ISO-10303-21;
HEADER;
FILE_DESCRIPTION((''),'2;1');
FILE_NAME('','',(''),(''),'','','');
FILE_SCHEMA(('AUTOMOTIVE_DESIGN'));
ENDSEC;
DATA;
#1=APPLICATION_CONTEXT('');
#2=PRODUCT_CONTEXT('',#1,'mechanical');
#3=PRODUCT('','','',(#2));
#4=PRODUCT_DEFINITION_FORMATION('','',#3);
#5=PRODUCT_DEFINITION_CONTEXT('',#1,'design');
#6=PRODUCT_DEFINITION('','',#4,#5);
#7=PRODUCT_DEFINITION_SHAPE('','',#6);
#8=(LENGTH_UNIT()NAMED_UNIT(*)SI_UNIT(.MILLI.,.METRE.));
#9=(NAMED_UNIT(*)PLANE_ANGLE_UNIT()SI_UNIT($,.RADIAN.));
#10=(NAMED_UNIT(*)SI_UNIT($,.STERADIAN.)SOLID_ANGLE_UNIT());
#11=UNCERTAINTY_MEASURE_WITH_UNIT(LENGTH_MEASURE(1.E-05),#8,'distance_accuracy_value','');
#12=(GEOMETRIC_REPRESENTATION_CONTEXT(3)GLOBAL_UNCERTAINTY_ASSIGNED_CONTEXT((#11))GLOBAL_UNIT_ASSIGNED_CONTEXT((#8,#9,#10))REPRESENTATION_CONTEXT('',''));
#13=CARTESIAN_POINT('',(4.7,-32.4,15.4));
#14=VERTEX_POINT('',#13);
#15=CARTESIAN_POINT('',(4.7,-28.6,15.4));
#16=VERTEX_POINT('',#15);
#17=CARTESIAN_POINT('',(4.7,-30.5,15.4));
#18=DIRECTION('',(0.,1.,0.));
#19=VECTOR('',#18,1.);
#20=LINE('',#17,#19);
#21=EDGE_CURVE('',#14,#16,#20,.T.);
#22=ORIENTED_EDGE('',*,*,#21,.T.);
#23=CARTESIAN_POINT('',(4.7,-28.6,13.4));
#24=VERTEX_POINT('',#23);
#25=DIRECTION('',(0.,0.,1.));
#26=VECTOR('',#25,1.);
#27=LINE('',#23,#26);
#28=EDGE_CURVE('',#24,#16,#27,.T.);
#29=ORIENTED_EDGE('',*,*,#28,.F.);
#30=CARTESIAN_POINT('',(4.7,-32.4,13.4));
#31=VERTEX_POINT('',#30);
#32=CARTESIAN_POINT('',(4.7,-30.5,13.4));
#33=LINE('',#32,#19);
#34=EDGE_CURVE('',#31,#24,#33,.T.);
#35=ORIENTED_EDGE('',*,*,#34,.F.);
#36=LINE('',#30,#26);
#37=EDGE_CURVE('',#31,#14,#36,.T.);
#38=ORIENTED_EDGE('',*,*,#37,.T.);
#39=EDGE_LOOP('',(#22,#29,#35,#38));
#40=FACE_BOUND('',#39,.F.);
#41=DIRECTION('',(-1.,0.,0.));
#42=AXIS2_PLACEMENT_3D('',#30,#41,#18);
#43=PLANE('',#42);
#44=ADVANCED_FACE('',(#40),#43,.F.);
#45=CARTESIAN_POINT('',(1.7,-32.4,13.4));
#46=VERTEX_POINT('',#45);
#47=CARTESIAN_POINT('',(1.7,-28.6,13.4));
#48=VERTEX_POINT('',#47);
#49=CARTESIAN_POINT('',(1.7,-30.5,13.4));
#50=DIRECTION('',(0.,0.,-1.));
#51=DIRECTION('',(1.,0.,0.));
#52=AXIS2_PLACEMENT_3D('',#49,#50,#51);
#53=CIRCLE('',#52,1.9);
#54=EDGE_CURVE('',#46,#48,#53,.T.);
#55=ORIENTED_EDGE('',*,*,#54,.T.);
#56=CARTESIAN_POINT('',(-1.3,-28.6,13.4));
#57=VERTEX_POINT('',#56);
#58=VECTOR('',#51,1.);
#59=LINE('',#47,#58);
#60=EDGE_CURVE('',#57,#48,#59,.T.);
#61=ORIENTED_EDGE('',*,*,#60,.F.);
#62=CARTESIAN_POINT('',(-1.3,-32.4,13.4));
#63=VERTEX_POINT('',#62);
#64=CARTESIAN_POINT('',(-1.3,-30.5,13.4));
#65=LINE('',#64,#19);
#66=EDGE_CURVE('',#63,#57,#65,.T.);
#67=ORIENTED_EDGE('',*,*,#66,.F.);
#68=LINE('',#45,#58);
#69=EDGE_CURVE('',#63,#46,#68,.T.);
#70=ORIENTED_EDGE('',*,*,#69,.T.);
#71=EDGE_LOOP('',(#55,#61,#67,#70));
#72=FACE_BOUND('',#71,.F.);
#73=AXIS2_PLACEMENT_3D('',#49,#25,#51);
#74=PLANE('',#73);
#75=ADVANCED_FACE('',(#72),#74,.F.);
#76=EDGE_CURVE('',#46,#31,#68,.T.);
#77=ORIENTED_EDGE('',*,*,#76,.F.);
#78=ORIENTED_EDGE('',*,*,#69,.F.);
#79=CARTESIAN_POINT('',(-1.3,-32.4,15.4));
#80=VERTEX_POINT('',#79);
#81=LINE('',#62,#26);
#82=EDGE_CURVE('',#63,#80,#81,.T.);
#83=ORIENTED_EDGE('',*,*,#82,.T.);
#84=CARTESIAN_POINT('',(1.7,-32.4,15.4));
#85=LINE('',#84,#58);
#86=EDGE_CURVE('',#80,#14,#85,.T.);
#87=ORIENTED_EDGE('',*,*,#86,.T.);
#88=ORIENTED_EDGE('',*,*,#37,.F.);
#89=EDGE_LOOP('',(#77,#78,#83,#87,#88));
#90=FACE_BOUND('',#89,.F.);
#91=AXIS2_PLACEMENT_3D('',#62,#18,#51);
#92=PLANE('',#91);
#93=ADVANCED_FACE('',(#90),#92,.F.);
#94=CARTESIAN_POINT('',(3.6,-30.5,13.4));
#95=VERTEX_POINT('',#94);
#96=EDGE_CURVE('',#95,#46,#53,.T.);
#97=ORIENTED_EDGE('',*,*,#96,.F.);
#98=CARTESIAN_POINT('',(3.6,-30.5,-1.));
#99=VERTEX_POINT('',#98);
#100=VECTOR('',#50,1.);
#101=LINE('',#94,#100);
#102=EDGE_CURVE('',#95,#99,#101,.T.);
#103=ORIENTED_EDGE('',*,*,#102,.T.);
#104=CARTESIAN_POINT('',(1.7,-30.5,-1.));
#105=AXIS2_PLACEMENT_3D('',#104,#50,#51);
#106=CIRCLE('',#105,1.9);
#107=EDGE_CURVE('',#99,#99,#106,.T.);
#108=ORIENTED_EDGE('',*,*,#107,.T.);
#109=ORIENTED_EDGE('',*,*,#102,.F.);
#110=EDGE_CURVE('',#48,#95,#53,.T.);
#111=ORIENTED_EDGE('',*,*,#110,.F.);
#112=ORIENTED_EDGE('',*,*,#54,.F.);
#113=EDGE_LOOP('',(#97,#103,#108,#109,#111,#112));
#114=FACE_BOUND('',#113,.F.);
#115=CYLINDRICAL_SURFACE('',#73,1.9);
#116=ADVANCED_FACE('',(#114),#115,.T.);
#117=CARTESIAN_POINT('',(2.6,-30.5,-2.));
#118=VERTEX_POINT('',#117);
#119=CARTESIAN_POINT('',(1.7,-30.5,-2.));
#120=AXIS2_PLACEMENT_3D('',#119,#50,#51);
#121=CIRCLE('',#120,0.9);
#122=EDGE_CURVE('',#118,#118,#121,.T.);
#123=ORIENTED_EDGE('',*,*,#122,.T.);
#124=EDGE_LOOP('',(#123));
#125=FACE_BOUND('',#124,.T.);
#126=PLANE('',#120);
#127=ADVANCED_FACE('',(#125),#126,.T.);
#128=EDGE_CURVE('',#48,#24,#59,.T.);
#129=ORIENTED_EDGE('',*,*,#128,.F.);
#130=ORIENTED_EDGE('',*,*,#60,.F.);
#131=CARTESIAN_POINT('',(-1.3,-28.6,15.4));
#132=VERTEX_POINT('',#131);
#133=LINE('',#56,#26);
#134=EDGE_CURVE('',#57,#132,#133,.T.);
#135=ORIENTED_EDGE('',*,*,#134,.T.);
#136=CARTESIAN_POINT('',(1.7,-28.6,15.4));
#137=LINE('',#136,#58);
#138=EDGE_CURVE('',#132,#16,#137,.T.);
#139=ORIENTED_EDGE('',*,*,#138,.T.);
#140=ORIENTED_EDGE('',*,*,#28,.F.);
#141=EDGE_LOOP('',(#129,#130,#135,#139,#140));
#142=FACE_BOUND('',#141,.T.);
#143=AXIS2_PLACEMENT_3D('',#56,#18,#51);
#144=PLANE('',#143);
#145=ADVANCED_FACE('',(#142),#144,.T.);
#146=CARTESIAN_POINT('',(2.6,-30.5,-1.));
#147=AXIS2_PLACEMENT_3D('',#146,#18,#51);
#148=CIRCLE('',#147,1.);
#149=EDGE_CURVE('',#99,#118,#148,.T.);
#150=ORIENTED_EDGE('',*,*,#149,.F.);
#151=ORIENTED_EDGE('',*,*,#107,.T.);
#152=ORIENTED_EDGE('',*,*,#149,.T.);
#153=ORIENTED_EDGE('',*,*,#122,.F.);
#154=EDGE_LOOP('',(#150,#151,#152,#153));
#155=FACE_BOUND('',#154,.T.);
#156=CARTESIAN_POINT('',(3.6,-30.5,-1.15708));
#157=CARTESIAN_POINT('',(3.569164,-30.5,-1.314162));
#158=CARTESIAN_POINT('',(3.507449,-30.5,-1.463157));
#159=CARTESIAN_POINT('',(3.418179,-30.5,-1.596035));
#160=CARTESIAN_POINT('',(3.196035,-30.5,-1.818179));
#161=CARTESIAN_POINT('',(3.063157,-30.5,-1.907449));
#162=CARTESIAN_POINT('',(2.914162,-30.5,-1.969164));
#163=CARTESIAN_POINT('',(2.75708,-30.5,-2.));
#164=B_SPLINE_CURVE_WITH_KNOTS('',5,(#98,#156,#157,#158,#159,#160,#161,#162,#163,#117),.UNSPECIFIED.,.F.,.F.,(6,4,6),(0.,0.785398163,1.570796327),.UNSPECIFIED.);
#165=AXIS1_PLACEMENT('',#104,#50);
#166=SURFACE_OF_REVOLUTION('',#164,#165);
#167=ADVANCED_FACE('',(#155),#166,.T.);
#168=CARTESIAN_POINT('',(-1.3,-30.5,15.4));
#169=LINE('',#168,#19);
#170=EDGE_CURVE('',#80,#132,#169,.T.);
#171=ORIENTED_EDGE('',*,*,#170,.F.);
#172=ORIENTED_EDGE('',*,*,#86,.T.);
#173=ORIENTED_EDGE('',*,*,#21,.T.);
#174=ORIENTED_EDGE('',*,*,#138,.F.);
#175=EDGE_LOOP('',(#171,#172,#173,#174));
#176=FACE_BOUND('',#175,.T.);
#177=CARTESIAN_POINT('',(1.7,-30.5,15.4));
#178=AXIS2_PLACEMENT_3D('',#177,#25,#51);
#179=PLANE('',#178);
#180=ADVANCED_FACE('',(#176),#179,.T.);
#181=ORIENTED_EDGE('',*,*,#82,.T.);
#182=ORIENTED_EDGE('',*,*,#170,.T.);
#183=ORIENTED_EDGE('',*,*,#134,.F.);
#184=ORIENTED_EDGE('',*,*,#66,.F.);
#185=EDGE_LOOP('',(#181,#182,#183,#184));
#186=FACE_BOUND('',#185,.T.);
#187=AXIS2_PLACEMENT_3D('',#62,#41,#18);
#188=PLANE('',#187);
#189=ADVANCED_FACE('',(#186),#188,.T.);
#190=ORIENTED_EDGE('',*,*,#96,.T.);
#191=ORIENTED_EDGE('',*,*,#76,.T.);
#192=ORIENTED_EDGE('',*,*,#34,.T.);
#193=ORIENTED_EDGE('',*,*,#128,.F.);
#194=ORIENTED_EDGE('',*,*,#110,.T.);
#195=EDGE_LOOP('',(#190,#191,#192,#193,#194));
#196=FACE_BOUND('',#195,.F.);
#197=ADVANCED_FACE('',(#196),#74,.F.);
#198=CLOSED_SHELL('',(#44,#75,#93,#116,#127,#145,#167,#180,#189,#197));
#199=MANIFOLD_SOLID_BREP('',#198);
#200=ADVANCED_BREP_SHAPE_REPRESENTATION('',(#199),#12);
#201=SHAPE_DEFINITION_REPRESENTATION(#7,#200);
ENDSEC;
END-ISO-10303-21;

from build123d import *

# Parameters (mm, degrees)
SKETCH029_W  = 6
SKETCH029_H  = 3.8
PAD012_DEPTH = 2
SKETCH033_R  = 1.9
PAD016_DEPTH = 15.4
FILLET012_R  = 1


with BuildPart() as part:
    # Sketch029 → Pad012 (new body)
    with BuildSketch(Plane.XY.offset(13.4)):
        with Locations((1.7, -30.5)):
            Rectangle(SKETCH029_W, SKETCH029_H)
    extrude(amount=PAD012_DEPTH)

    # Sketch033 (on Face5 of Pad012) → Pad016 (join)
    with BuildSketch(Plane(origin=(0, 0, 13.4), x_dir=(1, 0, 0), z_dir=(0, 0, -1))):
        with Locations((1.7, 30.5)):
            Circle(SKETCH033_R)
    extrude(amount=PAD016_DEPTH)

    # Fillet012
    fillet012_edges = [part.edges().sort_by_distance(p)[0] for p in [
        (-0.2, -30.5, -2),
    ]]
    fillet(fillet012_edges, radius=FILLET012_R)


solid = part.part
